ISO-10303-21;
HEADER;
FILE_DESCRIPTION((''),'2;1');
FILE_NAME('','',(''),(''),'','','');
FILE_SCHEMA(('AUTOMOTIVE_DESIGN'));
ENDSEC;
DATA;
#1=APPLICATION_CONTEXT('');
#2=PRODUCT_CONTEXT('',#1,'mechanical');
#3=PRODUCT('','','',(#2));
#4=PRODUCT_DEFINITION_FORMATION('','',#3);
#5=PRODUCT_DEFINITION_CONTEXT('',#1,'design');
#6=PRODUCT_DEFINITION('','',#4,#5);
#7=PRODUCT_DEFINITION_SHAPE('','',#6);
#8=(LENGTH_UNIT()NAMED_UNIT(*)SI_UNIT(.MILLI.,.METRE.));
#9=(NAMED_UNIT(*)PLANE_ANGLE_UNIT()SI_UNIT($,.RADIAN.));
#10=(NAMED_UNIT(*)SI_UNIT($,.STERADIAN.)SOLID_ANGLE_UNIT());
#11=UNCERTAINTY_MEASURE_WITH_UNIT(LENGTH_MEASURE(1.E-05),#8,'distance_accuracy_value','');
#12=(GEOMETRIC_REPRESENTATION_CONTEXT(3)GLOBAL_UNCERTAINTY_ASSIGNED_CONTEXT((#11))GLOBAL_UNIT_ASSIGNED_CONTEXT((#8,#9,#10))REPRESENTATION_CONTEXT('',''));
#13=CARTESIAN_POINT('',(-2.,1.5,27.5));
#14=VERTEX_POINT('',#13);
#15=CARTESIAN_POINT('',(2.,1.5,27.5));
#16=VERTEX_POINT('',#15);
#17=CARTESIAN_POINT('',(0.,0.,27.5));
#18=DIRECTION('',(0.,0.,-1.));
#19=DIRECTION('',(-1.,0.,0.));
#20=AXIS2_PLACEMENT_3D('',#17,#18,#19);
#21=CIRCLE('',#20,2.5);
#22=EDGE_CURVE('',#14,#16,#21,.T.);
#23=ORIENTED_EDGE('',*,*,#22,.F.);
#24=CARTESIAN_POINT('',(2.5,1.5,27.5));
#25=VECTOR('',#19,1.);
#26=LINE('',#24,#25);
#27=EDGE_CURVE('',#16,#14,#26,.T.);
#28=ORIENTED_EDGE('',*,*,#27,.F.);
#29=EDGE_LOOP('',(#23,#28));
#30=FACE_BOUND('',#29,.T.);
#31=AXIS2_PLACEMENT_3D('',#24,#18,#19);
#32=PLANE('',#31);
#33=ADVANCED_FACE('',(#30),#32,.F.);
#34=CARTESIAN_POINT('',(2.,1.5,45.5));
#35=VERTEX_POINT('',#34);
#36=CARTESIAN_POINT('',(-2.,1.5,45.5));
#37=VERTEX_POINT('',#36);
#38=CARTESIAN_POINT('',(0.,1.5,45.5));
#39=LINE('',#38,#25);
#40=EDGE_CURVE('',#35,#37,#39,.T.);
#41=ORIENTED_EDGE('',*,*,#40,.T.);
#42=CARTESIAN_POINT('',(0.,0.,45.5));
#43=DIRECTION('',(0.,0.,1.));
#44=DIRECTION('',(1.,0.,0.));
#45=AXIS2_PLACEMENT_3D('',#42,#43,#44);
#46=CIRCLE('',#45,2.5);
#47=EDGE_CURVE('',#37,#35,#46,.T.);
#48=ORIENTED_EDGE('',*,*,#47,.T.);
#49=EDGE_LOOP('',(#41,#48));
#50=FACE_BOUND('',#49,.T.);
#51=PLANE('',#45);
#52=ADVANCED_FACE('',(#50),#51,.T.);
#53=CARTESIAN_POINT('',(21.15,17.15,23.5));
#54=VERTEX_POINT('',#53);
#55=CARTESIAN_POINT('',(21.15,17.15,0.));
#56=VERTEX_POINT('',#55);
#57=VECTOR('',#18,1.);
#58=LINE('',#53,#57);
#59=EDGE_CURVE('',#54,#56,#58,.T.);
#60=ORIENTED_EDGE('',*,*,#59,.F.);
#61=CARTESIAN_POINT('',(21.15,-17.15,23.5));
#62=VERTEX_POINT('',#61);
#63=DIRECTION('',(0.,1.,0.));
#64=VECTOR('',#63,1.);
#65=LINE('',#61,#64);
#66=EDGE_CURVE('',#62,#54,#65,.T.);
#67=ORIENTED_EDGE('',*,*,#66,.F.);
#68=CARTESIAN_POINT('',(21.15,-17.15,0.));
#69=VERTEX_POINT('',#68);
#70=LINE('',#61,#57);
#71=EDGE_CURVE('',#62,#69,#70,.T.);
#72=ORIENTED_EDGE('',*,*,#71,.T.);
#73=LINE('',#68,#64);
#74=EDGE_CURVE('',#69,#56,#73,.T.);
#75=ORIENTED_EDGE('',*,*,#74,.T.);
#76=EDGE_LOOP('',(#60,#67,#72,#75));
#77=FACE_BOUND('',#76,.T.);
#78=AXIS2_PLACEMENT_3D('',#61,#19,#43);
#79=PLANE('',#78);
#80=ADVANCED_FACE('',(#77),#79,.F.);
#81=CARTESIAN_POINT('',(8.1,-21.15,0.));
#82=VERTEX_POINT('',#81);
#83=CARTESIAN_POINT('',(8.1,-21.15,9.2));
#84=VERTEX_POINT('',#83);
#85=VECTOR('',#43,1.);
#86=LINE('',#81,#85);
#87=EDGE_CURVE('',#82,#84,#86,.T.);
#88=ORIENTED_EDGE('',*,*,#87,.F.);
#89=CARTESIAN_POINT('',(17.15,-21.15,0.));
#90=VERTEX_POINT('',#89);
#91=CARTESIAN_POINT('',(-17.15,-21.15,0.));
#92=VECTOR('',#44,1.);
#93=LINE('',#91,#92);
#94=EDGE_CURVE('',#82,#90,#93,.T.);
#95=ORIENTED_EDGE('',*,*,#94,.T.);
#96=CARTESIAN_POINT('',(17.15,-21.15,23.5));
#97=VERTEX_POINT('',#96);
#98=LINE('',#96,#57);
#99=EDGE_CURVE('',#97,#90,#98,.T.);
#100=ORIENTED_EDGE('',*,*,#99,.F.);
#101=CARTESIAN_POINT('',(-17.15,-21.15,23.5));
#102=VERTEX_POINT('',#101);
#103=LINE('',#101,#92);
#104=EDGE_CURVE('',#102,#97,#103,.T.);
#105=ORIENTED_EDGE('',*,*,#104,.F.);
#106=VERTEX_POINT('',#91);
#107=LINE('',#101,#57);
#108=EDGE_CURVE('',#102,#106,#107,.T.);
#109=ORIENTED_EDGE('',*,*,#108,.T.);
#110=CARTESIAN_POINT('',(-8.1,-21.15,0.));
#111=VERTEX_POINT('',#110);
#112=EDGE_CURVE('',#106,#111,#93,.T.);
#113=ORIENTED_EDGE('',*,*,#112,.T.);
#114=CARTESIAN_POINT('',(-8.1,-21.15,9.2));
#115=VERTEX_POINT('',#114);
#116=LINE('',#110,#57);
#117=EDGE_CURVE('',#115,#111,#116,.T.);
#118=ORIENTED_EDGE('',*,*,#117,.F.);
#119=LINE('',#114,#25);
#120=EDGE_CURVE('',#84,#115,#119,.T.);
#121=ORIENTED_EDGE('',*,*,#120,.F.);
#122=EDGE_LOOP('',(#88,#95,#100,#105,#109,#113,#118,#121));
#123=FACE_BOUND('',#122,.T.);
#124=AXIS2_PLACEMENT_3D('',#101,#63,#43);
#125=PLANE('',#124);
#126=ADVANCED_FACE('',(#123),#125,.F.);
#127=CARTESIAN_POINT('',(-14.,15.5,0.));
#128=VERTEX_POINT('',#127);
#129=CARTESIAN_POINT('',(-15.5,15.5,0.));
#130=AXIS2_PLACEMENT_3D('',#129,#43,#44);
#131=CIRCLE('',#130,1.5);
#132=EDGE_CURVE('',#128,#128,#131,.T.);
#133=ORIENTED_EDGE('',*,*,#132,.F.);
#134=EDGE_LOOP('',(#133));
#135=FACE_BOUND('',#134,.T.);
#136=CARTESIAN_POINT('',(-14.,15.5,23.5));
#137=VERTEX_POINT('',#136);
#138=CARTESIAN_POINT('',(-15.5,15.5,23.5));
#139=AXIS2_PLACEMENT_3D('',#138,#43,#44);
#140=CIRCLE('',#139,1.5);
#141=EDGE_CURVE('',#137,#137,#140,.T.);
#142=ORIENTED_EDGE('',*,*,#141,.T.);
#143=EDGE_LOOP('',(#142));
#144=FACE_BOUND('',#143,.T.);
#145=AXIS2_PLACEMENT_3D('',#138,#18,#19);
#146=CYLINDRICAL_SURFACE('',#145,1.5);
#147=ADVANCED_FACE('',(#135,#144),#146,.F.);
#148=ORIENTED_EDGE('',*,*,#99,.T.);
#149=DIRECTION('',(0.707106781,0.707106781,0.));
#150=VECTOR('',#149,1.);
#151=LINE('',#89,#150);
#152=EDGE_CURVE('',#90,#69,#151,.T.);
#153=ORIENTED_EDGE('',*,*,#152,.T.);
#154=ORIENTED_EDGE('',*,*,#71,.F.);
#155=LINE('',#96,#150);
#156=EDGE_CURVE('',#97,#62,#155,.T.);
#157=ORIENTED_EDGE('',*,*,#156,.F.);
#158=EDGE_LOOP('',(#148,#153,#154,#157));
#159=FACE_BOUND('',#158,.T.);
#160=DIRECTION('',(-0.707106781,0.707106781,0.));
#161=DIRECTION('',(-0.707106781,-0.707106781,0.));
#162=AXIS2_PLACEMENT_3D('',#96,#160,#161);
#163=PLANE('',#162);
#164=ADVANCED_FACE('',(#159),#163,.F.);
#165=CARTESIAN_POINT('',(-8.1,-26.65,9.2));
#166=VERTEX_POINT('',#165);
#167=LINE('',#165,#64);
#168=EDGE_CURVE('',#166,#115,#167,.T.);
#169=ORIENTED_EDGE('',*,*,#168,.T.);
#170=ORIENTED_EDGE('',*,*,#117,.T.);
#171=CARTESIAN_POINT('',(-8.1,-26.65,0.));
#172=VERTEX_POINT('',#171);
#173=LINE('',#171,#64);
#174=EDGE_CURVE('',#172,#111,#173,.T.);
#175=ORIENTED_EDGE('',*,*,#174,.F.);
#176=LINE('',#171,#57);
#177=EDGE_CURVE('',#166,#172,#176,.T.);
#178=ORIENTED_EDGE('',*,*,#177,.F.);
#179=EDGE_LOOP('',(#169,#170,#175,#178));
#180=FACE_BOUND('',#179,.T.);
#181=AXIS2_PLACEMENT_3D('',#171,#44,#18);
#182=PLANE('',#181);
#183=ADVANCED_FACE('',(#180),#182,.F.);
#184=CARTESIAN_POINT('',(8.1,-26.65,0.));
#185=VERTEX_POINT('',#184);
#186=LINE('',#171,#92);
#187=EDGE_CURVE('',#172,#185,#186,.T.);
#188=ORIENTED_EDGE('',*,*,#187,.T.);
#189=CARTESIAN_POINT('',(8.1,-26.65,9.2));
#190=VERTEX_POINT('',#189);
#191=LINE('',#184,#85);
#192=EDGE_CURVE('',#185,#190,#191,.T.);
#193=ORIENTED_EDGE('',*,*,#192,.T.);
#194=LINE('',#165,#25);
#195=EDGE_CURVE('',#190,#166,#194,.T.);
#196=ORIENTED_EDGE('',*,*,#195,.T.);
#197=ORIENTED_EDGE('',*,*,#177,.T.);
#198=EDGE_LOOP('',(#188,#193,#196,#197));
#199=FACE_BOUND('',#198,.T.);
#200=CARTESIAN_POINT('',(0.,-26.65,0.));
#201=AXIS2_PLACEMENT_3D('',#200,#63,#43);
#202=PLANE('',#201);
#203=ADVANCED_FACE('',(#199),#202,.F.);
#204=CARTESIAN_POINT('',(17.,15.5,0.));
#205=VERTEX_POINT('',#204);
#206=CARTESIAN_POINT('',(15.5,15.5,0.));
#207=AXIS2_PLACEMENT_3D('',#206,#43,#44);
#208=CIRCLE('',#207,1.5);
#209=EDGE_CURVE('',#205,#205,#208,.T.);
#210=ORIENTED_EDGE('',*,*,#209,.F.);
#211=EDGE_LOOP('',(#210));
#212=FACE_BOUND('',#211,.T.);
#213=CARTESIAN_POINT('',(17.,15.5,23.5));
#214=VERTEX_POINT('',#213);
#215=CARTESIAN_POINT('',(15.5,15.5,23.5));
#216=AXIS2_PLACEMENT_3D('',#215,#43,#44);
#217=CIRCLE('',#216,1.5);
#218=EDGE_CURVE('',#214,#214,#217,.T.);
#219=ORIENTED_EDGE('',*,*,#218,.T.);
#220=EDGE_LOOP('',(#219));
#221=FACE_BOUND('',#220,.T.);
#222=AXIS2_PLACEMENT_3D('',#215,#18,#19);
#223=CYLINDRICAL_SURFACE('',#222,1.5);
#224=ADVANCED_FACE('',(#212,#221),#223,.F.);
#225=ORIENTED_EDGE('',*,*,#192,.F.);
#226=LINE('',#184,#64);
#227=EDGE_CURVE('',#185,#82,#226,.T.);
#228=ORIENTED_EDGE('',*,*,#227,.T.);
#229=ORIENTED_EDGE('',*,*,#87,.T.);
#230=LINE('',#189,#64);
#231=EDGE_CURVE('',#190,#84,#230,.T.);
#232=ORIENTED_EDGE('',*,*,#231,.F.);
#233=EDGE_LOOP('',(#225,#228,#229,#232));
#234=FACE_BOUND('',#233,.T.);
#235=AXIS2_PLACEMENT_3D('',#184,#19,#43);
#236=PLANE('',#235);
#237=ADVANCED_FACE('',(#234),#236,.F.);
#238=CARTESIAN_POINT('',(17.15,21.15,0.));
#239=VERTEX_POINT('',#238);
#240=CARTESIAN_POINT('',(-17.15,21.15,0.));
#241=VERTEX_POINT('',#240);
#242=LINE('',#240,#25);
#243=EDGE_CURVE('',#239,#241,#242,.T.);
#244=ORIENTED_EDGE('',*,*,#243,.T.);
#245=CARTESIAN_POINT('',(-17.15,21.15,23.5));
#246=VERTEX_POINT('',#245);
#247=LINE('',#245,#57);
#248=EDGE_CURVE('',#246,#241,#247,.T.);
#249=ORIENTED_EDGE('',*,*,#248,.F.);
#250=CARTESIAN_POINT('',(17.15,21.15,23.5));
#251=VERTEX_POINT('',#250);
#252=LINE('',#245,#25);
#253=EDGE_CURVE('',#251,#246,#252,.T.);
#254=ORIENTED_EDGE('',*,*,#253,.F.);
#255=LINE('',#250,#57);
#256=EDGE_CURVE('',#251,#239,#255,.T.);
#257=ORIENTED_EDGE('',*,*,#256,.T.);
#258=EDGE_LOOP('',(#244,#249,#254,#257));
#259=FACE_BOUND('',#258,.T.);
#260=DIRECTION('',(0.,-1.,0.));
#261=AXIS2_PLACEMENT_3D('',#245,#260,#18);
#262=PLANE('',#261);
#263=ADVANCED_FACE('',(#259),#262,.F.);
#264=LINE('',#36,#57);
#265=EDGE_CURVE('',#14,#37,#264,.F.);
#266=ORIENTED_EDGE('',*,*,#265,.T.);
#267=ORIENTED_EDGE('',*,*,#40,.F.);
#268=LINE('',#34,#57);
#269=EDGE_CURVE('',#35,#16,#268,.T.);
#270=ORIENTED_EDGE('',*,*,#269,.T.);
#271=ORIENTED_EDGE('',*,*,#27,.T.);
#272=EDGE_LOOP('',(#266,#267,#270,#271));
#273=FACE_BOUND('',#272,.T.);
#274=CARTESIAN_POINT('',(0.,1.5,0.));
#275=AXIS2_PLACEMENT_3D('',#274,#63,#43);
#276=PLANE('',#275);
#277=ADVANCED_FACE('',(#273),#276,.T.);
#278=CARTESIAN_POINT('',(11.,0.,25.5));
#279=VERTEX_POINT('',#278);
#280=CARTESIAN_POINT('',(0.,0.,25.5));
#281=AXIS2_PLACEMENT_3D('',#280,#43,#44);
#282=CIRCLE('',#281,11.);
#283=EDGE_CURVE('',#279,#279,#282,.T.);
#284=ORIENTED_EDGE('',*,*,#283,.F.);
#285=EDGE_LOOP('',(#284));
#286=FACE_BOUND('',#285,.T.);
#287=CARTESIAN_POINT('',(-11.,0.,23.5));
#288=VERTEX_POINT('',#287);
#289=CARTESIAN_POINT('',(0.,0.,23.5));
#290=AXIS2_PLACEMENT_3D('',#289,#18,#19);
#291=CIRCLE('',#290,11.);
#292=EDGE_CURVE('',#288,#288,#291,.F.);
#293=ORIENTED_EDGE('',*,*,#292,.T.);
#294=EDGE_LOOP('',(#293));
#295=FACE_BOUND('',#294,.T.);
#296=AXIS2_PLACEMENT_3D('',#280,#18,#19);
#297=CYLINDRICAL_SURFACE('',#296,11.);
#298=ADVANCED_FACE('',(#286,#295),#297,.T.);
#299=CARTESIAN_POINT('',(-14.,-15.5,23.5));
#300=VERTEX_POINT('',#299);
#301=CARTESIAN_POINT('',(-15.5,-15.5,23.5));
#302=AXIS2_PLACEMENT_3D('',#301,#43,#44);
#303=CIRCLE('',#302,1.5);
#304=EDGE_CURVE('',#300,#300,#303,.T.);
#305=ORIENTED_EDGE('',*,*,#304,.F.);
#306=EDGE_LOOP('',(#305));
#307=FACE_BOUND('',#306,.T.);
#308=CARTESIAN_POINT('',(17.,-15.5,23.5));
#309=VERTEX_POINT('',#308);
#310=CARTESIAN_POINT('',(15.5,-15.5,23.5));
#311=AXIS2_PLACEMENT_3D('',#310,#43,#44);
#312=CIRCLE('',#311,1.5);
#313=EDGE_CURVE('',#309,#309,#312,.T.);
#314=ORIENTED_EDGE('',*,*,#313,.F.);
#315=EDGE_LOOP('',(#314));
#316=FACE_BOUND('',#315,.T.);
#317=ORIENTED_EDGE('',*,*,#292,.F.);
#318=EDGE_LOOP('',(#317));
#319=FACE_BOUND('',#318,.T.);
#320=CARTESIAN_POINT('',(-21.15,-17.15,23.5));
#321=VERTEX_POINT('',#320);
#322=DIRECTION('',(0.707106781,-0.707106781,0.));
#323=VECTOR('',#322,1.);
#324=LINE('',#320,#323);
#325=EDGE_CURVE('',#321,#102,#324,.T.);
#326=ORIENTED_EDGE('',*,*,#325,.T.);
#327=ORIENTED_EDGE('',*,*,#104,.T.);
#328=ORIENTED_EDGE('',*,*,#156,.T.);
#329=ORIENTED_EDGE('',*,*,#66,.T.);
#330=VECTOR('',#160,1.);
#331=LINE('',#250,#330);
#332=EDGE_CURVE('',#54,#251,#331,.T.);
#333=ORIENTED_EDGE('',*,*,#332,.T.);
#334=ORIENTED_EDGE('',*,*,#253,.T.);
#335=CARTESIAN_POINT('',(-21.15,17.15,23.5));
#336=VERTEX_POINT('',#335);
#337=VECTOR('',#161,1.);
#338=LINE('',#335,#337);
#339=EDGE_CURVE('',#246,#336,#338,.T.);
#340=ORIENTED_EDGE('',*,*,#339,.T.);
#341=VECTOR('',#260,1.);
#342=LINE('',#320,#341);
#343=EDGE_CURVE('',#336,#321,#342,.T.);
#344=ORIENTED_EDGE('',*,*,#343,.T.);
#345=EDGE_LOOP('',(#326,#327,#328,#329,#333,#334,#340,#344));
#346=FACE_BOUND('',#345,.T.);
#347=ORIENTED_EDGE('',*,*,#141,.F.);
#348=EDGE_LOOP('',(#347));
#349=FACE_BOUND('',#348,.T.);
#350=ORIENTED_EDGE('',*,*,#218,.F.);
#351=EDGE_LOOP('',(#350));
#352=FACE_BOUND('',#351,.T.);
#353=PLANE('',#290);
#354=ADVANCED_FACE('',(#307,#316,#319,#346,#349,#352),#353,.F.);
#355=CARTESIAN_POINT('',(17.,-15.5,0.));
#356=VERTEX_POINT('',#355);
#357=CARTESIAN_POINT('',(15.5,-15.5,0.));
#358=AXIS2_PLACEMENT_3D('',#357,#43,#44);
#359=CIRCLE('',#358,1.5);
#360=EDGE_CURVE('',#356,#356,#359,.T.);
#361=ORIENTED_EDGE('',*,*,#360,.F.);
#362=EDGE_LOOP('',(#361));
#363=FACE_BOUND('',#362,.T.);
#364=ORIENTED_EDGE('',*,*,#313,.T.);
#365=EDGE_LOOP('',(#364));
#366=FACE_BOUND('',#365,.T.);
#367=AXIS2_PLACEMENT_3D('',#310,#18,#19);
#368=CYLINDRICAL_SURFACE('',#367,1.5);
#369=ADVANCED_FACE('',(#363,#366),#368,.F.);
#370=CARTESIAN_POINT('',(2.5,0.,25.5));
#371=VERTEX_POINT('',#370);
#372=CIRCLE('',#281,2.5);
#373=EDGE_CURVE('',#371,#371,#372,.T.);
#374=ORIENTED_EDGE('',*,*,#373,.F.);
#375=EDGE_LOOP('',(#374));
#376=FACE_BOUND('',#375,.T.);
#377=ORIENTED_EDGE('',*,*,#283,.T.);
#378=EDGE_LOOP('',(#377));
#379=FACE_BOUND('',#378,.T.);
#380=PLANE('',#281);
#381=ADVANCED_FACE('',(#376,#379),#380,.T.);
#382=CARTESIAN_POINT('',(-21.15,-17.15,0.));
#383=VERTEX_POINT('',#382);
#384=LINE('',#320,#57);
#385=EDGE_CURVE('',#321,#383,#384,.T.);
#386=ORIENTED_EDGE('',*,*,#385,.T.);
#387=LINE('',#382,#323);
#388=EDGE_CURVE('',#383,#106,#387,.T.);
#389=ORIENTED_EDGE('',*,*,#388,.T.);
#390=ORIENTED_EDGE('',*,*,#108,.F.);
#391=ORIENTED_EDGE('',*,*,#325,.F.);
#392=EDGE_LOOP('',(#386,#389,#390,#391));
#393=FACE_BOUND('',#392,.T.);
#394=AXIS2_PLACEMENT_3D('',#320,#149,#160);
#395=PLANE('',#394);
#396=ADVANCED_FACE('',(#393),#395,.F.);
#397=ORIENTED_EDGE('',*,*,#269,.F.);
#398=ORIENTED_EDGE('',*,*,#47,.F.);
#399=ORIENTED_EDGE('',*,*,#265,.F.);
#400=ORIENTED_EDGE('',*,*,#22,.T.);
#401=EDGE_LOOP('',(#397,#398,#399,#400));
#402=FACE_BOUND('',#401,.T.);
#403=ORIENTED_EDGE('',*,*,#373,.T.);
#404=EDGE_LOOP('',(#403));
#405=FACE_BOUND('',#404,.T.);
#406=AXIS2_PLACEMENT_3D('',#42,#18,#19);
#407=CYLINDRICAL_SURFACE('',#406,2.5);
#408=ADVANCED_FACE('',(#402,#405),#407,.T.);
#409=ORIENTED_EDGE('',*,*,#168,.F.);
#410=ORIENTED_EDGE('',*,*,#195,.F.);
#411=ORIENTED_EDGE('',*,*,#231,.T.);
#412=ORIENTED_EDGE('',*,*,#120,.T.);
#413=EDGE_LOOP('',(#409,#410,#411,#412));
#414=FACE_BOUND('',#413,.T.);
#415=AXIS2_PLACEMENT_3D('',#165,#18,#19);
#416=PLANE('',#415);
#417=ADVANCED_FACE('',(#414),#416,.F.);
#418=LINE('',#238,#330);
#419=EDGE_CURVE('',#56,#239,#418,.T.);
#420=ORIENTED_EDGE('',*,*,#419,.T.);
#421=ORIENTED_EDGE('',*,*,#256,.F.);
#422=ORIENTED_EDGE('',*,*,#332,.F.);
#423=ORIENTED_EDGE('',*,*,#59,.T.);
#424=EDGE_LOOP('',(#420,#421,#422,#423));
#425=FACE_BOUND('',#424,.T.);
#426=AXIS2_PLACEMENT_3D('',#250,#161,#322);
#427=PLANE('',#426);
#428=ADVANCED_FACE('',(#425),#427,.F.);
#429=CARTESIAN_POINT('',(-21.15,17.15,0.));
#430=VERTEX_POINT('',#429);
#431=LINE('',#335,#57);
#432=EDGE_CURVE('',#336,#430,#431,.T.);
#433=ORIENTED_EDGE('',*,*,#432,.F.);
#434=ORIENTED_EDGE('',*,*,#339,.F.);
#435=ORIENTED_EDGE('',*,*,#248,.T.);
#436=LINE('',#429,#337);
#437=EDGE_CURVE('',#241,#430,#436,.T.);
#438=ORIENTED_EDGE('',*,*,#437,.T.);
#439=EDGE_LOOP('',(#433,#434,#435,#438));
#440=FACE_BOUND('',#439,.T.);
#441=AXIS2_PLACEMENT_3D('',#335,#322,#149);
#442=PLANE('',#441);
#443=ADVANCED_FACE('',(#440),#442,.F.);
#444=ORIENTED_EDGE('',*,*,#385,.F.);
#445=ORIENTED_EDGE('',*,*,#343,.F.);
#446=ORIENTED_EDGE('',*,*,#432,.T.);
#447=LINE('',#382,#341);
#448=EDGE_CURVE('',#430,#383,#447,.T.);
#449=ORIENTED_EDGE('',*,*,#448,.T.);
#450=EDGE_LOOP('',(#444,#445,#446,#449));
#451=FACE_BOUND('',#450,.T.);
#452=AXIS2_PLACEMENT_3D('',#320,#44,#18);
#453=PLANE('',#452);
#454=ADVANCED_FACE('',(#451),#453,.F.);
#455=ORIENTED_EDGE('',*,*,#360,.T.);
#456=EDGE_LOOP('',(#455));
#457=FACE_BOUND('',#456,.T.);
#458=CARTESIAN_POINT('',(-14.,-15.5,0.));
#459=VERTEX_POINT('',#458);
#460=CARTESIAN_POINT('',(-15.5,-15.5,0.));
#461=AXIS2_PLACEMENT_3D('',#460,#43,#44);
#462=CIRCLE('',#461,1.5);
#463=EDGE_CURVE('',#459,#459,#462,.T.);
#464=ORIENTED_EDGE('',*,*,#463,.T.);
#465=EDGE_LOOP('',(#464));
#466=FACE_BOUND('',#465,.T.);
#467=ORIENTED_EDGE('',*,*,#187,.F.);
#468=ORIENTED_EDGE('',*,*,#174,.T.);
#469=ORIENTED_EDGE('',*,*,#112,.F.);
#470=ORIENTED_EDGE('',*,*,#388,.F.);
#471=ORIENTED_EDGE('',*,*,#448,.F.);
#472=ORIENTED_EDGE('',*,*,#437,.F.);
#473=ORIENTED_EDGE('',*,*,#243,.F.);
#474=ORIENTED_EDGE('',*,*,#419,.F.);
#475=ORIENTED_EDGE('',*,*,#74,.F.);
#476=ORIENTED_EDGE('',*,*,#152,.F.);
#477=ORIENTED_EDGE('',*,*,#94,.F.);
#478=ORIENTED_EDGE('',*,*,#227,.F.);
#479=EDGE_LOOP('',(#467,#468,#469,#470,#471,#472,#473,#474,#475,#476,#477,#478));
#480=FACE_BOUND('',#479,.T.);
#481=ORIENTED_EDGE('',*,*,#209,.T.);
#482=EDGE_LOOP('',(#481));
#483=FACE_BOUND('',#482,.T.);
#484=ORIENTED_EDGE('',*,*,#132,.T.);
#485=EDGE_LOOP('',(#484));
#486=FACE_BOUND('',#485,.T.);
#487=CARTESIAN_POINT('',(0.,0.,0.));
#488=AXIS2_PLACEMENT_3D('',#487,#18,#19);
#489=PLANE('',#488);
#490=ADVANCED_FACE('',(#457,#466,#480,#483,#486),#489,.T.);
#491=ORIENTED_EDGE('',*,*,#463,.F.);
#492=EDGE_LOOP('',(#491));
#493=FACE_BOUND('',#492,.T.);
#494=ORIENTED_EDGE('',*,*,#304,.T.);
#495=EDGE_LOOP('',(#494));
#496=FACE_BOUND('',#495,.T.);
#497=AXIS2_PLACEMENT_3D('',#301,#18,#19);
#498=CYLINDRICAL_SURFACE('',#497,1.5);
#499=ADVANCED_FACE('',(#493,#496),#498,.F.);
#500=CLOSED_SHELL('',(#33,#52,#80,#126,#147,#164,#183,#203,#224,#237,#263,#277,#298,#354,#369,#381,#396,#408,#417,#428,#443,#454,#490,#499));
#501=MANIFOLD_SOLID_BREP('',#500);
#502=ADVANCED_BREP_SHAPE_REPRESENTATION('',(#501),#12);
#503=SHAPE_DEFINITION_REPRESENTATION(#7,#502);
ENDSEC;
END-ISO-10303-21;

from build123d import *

# Parameters (mm, degrees)
SKETCH1_R           = 1.5
BOSS_EXTRUDE1_DEPTH = 23.5
SKETCH2_W           = 16.2
SKETCH2_H           = 9.2
BOSS_EXTRUDE2_DEPTH = 5.5
SKETCH3_R           = 11
BOSS_EXTRUDE3_DEPTH = 2
SKETCH4_R           = 2.5
BOSS_EXTRUDE4_DEPTH = 20
SKETCH5_W           = 5
SKETCH5_H           = 18
CUT_EXTRUDE1_DEPTH  = 1


with BuildPart() as part:
    # Sketch1 → Boss-Extrude1 (new body)
    with BuildSketch(Plane.XY):
        Polygon((-17.15, -21.15), (17.15, -21.15), (21.15, -17.15), (21.15, 17.15), (17.15, 21.15), (-17.15, 21.15), (-21.15, 17.15), (-21.15, -17.15), align=None)
        with Locations((-15.5, 15.5)):
            Circle(SKETCH1_R, mode=Mode.SUBTRACT)
        with Locations((15.5, 15.5)):
            Circle(SKETCH1_R, mode=Mode.SUBTRACT)
        with Locations((15.5, -15.5)):
            Circle(SKETCH1_R, mode=Mode.SUBTRACT)
        with Locations((-15.5, -15.5)):
            Circle(SKETCH1_R, mode=Mode.SUBTRACT)
    extrude(amount=BOSS_EXTRUDE1_DEPTH)

    # Sketch2 → Boss-Extrude2 (add)
    with BuildSketch(Plane.XZ.offset(21.15)):
        with Locations((0, 4.6)):
            Rectangle(SKETCH2_W, SKETCH2_H)
    extrude(amount=BOSS_EXTRUDE2_DEPTH)

    # Sketch3 → Boss-Extrude3 (add)
    with BuildSketch(Plane.XY.offset(23.5)):
        with Locations(Location((0, 0, 0), (0, 0, 180))):
            Circle(SKETCH3_R)
    extrude(amount=BOSS_EXTRUDE3_DEPTH)

    # Sketch4 → Boss-Extrude4 (add)
    with BuildSketch(Plane.XY.offset(25.5)):
        Circle(SKETCH4_R)
    extrude(amount=BOSS_EXTRUDE4_DEPTH)

    # Sketch5 → Cut-Extrude1 (cut)
    with BuildSketch(Plane(origin=(0, 2.5, 0), x_dir=(1, 0, 0), z_dir=(0, 1, 0))):
        with Locations((0, -36.5)):
            Rectangle(SKETCH5_W, SKETCH5_H)
    extrude(amount=-CUT_EXTRUDE1_DEPTH, mode=Mode.SUBTRACT)


solid = part.part
